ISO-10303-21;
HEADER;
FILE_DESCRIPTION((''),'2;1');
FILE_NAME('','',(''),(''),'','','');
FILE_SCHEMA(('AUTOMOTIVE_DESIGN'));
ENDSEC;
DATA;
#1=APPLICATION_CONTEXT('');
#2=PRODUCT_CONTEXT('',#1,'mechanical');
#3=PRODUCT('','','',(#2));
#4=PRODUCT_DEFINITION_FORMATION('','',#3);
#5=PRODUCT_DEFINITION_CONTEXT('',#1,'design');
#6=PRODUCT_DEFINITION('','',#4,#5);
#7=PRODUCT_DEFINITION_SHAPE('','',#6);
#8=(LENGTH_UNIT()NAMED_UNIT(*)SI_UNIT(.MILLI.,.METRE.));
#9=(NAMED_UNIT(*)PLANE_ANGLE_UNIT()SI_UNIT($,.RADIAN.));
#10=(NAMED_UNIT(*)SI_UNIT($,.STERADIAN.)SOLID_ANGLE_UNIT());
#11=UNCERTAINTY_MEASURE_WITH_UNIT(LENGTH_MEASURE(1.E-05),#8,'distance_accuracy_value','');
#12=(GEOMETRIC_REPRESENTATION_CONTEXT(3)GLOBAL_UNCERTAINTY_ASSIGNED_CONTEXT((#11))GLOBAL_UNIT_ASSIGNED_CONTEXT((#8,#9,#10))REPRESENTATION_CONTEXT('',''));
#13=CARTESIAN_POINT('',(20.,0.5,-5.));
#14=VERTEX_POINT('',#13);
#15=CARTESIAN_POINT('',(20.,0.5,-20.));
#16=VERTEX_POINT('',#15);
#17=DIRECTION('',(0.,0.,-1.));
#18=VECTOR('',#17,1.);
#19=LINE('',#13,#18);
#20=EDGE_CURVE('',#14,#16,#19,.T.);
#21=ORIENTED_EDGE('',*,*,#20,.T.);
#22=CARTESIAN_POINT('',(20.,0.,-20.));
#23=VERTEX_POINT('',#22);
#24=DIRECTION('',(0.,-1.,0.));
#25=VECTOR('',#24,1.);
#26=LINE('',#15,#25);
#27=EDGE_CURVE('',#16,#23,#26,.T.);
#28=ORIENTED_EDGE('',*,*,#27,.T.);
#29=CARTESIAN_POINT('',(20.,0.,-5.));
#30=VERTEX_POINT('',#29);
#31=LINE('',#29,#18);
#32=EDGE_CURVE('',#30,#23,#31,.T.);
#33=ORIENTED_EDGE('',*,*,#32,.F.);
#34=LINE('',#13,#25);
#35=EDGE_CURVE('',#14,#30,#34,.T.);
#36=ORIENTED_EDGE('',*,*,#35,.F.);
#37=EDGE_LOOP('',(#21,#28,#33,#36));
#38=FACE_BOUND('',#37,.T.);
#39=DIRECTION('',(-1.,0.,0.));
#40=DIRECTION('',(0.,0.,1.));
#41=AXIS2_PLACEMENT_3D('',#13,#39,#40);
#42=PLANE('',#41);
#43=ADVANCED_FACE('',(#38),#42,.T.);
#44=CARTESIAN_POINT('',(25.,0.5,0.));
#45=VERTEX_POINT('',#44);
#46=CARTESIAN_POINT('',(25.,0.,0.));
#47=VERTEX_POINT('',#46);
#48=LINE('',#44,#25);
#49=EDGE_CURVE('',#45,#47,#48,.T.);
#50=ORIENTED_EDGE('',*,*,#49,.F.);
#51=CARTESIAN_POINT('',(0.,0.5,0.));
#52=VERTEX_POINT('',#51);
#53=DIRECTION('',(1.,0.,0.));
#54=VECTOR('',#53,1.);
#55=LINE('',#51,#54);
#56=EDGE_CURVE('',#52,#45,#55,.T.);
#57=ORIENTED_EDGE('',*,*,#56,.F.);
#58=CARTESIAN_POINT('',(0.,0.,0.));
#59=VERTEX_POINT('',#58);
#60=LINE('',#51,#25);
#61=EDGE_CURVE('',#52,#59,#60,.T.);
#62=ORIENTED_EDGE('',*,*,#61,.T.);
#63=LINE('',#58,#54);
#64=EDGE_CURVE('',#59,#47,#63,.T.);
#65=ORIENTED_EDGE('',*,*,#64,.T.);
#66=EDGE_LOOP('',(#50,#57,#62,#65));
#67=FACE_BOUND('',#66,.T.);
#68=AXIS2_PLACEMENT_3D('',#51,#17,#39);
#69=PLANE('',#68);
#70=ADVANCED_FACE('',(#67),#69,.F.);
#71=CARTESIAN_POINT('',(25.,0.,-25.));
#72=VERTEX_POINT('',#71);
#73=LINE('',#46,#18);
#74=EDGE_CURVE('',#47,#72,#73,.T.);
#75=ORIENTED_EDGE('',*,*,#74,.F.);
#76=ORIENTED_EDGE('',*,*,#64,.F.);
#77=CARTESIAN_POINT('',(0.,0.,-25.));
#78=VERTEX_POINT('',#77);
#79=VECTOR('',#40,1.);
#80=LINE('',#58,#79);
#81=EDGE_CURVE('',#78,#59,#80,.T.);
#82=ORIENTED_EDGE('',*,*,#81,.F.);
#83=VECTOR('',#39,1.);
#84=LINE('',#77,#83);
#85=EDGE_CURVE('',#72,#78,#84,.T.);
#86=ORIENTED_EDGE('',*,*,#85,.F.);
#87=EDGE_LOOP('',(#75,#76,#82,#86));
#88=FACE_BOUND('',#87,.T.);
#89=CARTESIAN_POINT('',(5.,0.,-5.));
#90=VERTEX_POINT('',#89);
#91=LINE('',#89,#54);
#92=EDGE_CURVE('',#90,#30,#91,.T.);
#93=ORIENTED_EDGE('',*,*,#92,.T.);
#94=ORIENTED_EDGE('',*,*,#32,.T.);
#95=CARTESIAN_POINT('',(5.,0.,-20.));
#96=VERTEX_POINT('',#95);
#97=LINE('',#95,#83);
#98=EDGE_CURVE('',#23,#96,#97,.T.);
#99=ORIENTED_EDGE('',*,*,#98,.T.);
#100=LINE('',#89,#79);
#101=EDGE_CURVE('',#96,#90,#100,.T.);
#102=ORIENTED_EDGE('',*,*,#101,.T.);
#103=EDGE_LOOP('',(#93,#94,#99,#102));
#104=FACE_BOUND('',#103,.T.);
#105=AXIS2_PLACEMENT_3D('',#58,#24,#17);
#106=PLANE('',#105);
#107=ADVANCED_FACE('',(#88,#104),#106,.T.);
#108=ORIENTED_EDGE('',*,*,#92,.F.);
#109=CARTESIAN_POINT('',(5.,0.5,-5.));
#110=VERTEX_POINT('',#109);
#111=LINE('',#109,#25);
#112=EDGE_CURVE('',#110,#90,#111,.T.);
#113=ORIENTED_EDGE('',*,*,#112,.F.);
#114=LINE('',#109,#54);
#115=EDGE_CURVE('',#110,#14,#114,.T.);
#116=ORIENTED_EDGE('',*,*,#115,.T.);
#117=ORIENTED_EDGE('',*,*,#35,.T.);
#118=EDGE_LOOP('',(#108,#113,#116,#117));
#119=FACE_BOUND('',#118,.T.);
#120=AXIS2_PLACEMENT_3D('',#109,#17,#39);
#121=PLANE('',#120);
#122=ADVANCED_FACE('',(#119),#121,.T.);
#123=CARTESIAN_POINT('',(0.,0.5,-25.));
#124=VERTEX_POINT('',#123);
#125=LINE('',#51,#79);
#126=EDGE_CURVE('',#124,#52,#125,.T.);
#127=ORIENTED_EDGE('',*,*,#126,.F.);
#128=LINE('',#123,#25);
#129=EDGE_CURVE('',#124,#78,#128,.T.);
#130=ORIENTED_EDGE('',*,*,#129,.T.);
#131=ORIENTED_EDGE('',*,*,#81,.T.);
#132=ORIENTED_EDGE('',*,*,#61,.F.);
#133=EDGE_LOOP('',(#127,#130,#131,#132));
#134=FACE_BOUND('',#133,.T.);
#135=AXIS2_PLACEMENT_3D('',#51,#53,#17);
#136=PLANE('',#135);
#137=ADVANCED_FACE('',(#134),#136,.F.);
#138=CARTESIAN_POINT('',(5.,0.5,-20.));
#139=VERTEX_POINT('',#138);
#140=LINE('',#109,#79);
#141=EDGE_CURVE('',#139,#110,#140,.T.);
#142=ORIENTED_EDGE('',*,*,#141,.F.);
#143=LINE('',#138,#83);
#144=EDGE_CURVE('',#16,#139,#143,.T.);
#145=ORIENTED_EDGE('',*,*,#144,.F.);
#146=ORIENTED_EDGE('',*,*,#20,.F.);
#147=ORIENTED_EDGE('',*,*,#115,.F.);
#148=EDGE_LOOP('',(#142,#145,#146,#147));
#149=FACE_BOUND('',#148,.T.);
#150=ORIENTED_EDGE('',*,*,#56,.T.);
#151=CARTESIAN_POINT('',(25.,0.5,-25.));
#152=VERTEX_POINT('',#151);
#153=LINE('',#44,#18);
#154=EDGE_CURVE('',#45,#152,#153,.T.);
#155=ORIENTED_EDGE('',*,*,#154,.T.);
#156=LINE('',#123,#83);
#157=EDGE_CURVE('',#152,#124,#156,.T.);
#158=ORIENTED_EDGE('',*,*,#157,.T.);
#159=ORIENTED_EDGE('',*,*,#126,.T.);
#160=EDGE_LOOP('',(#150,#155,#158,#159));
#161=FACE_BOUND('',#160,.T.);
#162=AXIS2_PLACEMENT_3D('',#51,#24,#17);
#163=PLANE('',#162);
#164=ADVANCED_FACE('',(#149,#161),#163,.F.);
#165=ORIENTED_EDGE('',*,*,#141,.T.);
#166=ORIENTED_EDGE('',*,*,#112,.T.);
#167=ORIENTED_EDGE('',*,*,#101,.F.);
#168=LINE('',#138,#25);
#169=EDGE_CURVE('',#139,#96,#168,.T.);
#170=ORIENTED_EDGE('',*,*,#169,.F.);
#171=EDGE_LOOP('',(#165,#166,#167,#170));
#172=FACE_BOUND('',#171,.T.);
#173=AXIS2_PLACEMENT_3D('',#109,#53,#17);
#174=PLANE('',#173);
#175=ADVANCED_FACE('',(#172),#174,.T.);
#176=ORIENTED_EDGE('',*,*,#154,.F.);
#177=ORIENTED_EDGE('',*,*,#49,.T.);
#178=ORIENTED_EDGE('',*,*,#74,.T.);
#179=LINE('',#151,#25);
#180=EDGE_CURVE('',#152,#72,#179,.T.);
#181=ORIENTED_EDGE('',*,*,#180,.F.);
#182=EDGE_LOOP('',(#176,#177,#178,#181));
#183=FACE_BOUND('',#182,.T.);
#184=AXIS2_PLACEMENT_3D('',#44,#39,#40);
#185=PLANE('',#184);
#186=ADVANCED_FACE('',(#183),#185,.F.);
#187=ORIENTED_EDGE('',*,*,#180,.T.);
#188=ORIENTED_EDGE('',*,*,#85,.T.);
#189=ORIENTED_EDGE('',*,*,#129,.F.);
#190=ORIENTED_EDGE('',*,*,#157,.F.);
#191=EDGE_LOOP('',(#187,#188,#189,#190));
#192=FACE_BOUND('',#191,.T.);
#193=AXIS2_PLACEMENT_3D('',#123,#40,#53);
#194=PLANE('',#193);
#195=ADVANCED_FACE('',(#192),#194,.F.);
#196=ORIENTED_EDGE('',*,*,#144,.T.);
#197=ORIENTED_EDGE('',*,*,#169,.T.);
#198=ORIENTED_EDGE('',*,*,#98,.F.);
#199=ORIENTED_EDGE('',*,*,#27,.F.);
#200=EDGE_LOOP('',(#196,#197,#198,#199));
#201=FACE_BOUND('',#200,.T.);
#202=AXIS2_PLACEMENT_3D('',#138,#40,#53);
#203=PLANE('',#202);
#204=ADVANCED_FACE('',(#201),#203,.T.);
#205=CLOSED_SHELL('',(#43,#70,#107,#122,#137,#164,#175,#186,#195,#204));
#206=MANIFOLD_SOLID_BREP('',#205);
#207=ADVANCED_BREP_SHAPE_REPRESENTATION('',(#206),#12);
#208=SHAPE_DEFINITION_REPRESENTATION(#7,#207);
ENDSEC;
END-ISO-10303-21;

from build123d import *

# Parameters (mm, degrees)
CROQUIS1_W              = 25
CROQUIS1_H              = 25
CROQUIS1_W_2            = 15
CROQUIS1_H_2            = 15
SALIENTE_EXTRUIR1_DEPTH = 0.5


with BuildPart() as part:
    # Croquis1 → Saliente-Extruir1 (new body)
    with BuildSketch(Plane(origin=(0, 0, 0), x_dir=(1, 0, 0), z_dir=(0, 1, 0))):
        with Locations((12.5, 12.5)):
            Rectangle(CROQUIS1_W, CROQUIS1_H)
        with Locations((12.5, 12.5)):
            Rectangle(CROQUIS1_W_2, CROQUIS1_H_2, mode=Mode.SUBTRACT)
    extrude(amount=SALIENTE_EXTRUIR1_DEPTH)


solid = part.part
